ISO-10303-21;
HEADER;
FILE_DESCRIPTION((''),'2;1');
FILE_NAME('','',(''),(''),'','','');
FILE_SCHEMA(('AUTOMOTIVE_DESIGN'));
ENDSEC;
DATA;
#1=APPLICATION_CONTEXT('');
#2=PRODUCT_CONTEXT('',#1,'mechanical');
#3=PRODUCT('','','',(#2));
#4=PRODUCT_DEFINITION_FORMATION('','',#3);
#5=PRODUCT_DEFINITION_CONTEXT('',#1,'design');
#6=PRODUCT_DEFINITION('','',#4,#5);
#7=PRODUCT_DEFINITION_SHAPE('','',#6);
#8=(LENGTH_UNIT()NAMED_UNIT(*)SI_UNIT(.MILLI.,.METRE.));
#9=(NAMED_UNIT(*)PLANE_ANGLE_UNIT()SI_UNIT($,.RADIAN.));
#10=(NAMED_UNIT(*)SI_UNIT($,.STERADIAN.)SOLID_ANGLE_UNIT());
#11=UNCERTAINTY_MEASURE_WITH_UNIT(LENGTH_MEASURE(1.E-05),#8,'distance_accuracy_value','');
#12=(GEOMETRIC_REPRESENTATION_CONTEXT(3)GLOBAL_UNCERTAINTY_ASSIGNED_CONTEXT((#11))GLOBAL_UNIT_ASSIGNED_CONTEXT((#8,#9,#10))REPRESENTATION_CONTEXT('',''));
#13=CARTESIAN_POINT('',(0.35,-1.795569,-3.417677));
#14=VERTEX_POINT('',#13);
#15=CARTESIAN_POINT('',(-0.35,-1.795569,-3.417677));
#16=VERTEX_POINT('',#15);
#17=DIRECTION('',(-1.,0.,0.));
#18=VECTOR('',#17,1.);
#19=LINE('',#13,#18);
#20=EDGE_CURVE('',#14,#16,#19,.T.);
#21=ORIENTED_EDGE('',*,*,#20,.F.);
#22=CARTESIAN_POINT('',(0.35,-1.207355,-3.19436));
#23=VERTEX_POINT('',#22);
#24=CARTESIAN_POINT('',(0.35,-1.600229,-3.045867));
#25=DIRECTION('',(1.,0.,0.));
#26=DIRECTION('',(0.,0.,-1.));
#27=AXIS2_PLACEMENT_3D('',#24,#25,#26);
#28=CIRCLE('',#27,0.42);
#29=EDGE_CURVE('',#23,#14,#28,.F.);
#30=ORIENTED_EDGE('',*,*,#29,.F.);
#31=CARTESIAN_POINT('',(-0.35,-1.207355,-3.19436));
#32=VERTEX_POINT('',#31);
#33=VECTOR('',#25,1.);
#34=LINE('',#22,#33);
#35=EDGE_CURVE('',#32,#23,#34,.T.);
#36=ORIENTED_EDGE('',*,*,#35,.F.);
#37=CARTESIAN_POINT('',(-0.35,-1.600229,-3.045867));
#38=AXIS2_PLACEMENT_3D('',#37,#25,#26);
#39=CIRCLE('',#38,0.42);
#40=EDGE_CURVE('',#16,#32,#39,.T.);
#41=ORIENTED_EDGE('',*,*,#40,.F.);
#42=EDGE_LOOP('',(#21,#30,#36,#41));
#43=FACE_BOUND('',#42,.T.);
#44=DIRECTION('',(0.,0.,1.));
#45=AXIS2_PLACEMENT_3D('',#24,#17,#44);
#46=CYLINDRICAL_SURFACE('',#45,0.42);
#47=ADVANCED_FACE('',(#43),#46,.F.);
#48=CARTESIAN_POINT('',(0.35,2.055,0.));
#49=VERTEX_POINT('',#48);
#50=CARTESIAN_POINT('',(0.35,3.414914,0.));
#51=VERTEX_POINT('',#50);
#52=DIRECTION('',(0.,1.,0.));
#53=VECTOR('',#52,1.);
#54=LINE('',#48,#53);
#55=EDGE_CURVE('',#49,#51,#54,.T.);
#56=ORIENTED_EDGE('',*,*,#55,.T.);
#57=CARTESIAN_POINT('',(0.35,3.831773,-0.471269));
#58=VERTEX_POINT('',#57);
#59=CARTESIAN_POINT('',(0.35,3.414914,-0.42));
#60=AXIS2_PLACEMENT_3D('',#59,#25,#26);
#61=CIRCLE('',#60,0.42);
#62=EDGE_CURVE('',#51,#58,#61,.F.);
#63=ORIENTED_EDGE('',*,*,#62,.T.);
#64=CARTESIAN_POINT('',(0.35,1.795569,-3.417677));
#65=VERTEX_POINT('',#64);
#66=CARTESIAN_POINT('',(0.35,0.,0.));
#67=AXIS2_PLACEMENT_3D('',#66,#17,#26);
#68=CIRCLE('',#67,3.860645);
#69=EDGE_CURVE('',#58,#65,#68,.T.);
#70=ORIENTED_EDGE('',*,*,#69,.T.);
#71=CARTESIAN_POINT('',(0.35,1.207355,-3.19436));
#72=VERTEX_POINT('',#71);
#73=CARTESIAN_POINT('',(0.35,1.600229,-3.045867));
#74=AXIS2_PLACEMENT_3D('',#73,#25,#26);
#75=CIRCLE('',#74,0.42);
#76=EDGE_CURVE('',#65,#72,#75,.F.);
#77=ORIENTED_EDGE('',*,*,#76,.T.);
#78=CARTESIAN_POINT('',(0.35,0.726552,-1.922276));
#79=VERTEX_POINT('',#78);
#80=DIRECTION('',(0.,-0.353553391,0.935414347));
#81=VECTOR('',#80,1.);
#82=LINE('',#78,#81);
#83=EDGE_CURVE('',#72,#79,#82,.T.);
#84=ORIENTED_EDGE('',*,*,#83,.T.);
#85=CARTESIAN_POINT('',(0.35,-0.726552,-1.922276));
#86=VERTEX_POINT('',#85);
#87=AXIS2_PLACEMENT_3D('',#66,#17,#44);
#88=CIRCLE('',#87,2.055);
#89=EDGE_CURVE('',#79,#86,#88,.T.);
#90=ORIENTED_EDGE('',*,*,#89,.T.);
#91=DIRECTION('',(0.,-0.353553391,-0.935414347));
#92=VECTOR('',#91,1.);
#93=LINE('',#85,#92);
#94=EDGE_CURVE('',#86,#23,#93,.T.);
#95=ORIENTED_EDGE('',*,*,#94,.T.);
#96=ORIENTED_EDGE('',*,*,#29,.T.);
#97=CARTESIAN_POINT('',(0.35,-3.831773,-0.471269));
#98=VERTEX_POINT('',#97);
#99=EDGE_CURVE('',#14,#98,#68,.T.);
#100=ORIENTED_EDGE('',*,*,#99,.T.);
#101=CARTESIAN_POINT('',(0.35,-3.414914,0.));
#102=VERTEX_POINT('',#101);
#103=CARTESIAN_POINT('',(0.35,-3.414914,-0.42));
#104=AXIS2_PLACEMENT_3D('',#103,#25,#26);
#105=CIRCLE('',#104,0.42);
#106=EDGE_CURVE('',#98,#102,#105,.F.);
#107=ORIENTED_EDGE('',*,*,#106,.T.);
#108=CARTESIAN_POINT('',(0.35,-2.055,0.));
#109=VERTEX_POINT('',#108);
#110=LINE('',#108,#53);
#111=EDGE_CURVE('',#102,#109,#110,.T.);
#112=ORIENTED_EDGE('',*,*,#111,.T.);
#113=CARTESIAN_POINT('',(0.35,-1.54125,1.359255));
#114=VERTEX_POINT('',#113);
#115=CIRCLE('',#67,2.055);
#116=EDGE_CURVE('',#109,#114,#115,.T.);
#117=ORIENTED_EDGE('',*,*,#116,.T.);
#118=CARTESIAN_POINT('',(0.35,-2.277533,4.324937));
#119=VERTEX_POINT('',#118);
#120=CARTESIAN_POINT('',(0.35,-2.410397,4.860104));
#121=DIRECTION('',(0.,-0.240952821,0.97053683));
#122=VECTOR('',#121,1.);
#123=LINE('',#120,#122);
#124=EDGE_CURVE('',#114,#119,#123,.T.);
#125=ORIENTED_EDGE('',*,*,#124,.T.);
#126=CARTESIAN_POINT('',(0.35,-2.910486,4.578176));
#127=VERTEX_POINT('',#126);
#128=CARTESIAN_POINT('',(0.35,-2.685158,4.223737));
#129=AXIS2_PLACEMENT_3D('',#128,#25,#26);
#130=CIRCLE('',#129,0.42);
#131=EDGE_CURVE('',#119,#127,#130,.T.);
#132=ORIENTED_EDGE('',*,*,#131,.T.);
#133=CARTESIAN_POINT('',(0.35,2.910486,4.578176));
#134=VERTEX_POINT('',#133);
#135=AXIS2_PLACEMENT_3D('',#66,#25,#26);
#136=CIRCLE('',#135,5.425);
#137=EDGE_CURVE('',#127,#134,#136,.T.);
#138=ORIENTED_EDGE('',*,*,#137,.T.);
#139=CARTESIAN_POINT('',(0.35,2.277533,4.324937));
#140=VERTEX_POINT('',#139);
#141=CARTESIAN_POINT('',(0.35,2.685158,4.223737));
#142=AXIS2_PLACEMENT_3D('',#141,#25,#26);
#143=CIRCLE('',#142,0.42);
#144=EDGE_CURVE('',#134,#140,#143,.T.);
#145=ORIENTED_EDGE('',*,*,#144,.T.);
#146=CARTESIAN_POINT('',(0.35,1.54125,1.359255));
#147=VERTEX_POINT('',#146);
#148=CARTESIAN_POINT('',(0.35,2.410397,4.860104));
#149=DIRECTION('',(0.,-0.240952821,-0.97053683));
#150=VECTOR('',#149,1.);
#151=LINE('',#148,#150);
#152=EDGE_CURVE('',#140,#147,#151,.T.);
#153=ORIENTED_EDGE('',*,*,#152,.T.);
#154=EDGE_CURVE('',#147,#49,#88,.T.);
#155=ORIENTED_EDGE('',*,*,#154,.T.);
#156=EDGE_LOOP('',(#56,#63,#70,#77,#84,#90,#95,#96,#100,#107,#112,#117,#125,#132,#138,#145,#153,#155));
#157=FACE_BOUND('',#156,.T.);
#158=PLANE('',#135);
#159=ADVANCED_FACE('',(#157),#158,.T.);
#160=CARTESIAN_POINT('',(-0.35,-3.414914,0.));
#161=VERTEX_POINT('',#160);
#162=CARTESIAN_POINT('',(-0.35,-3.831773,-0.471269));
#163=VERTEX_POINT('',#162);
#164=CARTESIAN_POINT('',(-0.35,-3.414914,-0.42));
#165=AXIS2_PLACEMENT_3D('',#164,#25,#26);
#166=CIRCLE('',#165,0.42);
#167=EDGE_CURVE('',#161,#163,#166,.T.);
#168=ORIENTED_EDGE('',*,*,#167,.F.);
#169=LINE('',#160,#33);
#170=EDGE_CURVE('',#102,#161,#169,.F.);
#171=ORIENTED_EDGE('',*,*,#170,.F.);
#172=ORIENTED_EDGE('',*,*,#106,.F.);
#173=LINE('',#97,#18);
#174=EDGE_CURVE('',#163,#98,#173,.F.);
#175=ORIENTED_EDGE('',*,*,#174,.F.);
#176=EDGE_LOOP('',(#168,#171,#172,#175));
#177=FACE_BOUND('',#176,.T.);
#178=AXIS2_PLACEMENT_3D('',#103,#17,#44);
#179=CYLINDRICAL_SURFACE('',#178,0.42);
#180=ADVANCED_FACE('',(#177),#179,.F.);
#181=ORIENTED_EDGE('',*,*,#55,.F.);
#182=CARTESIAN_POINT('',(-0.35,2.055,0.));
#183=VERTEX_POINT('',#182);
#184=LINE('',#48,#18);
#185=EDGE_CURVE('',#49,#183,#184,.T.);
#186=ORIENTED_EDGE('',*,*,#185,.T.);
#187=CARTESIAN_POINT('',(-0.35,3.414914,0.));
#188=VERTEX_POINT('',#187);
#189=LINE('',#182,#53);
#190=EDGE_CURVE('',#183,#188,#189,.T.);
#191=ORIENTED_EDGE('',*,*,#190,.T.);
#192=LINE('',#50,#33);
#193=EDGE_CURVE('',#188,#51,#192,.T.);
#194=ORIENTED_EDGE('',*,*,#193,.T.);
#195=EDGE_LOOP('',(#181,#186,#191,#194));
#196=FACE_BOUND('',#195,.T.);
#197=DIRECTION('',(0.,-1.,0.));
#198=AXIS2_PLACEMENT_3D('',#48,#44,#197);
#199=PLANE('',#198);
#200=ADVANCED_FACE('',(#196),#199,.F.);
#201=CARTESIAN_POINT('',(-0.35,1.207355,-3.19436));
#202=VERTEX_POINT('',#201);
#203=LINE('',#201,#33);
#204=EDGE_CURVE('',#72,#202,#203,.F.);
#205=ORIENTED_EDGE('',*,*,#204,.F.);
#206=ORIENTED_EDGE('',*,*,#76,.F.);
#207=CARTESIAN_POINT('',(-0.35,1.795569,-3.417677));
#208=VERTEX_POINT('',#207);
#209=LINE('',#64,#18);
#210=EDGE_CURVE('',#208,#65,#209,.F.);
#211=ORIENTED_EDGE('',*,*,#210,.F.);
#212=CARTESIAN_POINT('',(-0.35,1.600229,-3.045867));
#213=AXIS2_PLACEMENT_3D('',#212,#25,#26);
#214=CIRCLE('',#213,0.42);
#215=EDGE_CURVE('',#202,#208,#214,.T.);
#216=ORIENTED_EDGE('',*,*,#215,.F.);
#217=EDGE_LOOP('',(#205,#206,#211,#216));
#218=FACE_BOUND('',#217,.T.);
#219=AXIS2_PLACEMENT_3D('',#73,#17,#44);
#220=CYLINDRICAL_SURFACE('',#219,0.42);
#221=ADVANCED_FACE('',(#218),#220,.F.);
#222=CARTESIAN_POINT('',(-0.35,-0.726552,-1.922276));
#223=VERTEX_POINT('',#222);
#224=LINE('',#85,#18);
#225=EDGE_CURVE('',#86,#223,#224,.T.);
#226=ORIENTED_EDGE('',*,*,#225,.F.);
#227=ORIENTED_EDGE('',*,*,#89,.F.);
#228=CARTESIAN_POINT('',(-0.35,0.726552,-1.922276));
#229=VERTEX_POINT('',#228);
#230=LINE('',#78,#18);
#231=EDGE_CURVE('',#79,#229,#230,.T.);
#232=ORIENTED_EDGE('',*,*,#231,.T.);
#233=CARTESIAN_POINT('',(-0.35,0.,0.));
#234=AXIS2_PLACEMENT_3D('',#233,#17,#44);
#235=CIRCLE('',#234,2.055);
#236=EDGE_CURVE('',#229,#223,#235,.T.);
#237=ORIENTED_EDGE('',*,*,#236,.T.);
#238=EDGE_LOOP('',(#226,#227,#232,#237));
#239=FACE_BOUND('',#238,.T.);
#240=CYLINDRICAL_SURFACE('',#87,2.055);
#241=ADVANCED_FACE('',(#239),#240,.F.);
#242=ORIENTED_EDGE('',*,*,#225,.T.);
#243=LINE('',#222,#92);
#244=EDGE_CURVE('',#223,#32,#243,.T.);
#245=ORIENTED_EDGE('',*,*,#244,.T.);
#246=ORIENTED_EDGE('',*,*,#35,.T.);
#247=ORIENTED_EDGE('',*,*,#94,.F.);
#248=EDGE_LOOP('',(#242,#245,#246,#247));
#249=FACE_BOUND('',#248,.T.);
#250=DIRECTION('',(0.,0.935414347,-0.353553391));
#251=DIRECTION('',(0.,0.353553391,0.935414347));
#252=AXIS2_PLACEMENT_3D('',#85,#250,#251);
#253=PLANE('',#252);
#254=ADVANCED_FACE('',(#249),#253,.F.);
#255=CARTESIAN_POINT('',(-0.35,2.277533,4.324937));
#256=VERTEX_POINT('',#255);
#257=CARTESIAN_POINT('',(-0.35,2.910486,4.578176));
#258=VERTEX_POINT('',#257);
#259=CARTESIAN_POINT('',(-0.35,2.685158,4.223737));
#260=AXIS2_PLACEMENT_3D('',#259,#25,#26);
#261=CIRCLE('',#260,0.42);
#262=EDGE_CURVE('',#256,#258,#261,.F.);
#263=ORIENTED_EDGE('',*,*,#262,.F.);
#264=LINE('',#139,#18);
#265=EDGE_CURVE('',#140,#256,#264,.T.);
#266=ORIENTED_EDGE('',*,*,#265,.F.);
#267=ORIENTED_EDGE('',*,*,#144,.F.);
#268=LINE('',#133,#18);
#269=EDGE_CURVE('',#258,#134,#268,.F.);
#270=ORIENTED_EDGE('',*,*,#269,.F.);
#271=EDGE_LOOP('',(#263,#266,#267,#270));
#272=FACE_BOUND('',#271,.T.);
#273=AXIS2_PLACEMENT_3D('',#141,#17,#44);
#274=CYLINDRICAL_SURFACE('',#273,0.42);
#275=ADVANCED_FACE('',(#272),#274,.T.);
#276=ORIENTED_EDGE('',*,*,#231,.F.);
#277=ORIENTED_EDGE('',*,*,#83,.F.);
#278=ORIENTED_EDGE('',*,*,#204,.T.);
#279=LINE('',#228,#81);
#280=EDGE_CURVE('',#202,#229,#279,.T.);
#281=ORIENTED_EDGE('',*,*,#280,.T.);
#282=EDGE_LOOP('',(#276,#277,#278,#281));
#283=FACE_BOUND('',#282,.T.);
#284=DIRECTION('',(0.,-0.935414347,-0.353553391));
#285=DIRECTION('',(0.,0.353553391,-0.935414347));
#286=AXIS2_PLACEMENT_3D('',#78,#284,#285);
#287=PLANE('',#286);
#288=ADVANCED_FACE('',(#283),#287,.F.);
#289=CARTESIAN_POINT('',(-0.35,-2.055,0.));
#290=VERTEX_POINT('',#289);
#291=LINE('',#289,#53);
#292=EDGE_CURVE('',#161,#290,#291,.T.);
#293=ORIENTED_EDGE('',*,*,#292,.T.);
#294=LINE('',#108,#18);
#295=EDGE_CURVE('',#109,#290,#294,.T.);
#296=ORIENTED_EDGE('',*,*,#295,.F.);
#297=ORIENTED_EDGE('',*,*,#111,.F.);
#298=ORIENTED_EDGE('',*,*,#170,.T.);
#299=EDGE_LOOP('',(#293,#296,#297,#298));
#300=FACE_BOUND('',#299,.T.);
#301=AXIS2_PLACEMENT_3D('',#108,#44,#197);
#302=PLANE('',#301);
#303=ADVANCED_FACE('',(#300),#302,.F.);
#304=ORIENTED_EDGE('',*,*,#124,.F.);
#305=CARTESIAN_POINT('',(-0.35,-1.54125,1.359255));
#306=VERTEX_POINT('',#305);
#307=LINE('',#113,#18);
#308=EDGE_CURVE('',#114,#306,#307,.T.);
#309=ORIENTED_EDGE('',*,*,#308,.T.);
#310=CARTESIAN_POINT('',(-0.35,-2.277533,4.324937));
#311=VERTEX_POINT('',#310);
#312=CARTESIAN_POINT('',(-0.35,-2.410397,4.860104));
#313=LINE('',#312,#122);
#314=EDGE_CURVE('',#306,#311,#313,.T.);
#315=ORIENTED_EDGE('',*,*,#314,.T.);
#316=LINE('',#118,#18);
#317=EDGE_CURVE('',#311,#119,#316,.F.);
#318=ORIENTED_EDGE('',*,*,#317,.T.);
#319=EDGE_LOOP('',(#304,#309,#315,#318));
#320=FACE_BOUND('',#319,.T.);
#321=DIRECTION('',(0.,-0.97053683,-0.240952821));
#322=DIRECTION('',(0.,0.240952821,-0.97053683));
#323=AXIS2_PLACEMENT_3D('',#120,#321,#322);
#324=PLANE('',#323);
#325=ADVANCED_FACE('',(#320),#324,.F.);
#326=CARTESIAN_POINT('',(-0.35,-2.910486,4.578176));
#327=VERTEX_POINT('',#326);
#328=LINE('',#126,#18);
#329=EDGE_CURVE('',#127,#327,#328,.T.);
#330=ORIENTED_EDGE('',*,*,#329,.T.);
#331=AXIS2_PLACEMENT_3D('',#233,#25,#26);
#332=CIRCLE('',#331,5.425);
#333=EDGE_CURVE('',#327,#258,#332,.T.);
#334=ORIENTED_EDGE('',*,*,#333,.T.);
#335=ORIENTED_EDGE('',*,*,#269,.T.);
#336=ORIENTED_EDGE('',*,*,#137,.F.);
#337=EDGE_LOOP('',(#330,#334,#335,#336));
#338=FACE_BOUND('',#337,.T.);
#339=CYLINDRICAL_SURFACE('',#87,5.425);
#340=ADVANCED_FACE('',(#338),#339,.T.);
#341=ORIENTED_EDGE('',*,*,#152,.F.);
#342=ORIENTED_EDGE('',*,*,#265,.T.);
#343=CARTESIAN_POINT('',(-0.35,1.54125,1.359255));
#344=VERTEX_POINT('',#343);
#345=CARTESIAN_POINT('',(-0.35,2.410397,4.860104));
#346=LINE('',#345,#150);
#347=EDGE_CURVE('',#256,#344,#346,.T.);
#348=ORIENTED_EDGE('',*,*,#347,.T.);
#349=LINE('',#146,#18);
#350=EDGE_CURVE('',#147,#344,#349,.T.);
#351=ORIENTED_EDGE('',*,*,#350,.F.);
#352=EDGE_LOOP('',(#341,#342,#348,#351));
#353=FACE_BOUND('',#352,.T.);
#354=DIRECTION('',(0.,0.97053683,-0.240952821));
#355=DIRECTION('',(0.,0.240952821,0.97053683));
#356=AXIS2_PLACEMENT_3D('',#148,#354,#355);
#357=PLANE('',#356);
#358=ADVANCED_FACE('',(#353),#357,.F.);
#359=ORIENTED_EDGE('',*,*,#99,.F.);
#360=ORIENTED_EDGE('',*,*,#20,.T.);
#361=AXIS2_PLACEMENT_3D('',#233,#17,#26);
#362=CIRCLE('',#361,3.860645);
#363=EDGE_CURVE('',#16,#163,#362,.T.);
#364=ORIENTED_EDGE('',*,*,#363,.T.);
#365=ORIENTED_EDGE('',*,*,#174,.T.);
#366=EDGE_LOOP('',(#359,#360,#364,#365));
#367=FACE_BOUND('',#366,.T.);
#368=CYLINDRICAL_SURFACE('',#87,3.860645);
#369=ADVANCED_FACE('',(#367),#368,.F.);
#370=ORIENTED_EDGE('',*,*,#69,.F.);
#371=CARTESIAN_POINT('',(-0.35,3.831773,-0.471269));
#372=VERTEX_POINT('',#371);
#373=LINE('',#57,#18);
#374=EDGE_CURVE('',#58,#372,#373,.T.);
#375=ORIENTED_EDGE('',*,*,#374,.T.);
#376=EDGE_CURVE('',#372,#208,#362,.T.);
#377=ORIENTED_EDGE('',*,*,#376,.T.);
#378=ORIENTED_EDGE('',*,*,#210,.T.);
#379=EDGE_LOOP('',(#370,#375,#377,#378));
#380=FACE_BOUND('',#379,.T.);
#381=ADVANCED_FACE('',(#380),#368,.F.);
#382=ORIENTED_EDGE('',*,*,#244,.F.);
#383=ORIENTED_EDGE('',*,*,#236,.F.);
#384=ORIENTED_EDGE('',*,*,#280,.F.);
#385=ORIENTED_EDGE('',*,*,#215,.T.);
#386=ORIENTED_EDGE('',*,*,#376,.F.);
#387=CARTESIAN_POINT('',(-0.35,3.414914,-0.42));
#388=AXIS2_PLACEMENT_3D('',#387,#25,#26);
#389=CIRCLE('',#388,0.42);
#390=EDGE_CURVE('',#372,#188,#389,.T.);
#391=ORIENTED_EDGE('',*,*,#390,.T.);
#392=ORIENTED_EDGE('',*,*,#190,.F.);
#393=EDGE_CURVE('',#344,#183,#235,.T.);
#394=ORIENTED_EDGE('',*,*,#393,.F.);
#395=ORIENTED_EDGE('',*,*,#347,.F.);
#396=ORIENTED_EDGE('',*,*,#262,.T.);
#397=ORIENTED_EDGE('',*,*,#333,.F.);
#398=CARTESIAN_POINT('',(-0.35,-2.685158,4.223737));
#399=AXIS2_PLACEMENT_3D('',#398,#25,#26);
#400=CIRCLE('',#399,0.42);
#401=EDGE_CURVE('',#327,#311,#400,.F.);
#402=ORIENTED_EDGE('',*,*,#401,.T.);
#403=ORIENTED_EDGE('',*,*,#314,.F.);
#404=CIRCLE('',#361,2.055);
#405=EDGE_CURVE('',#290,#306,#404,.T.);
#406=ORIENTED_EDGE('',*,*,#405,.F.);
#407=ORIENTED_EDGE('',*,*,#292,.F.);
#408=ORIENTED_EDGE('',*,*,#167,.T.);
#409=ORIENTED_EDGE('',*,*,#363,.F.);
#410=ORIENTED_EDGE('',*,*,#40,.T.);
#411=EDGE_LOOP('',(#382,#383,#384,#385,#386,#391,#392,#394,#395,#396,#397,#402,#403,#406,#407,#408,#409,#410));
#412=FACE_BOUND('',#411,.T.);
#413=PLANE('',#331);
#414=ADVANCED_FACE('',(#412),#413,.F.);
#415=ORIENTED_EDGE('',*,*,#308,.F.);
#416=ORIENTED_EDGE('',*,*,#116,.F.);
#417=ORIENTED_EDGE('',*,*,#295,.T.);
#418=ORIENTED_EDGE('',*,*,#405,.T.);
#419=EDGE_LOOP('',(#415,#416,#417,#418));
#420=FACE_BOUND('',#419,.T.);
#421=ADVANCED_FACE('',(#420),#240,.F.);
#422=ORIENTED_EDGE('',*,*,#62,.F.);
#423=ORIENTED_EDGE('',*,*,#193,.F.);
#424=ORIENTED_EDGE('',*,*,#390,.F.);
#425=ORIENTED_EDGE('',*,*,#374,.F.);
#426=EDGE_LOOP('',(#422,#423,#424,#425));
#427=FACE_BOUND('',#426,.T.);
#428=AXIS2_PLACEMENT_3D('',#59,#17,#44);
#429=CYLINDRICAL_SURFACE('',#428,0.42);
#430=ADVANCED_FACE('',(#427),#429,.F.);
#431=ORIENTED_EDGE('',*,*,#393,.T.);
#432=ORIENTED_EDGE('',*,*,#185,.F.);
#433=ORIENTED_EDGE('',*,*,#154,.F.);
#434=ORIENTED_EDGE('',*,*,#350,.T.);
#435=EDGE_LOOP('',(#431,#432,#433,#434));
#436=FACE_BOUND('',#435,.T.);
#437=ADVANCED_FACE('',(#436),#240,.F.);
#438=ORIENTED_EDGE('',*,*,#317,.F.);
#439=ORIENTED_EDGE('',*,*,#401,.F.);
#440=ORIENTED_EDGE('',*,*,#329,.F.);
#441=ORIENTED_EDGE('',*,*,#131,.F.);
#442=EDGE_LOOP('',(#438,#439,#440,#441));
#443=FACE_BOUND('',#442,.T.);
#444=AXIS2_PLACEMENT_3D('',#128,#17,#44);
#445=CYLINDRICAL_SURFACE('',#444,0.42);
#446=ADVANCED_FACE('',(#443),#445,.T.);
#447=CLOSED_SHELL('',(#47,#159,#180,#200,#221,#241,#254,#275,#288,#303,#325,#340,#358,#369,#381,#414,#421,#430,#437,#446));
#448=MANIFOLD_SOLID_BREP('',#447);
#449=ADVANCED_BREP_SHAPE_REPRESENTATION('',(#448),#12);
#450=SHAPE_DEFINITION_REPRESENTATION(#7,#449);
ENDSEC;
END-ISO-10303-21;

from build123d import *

# Parameters (mm, degrees)
EXTRUDE1_DEPTH = 0.35
FILLET1_R      = 0.42


with BuildPart() as part:
    # Sketch1 → Extrude1 (new body, symmetric)
    with BuildSketch(Plane(origin=(0, 0, 0), x_dir=(0, 0, -1), z_dir=(1, 0, 0))):
        with BuildLine():
            Line((-4.860103887, -2.410397313), (-1.359254736, -1.54125))
            ThreePointArc((-1.359254736, -1.54125), (-0.726552218, -1.922276482), (0, -2.055))
            Line((0, -2.055), (0, -3.860645161))
            ThreePointArc((0, -3.860645161), (2.194882217, -3.176015289), (3.611302871, -1.364944187))
            Line((3.611302871, -1.364944187), (1.922276482, -0.726552218))
            ThreePointArc((1.922276482, -0.726552218), (2.055, 0), (1.922276482, 0.726552218))
            Line((1.922276482, 0.726552218), (3.611302871, 1.364944187))
            ThreePointArc((3.611302871, 1.364944187), (2.194882217, 3.176015289), (0, 3.860645161))
            Line((0, 3.860645161), (0, 2.055))
            ThreePointArc((0, 2.055), (-0.726552218, 1.922276482), (-1.359254736, 1.54125))
            Line((-1.359254736, 1.54125), (-4.860103887, 2.410397313))
            ThreePointArc((-4.860103887, 2.410397313), (5.425, 0), (-4.860103887, -2.410397313))
        make_face()
    extrude(amount=EXTRUDE1_DEPTH, both=True)

    # Fillet1
    fillet1_edges = [part.edges().sort_by_distance(p)[0] for p in [
        (0, -2.410397313, 4.860103887),
        (0, -3.860645161, 0),
        (0, -1.364944187, -3.611302871),
        (0, 1.364944187, -3.611302871),
        (0, 3.860645161, 0),
        (0, 2.410397313, 4.860103887),
    ]]
    fillet(fillet1_edges, radius=FILLET1_R)


solid = part.part
